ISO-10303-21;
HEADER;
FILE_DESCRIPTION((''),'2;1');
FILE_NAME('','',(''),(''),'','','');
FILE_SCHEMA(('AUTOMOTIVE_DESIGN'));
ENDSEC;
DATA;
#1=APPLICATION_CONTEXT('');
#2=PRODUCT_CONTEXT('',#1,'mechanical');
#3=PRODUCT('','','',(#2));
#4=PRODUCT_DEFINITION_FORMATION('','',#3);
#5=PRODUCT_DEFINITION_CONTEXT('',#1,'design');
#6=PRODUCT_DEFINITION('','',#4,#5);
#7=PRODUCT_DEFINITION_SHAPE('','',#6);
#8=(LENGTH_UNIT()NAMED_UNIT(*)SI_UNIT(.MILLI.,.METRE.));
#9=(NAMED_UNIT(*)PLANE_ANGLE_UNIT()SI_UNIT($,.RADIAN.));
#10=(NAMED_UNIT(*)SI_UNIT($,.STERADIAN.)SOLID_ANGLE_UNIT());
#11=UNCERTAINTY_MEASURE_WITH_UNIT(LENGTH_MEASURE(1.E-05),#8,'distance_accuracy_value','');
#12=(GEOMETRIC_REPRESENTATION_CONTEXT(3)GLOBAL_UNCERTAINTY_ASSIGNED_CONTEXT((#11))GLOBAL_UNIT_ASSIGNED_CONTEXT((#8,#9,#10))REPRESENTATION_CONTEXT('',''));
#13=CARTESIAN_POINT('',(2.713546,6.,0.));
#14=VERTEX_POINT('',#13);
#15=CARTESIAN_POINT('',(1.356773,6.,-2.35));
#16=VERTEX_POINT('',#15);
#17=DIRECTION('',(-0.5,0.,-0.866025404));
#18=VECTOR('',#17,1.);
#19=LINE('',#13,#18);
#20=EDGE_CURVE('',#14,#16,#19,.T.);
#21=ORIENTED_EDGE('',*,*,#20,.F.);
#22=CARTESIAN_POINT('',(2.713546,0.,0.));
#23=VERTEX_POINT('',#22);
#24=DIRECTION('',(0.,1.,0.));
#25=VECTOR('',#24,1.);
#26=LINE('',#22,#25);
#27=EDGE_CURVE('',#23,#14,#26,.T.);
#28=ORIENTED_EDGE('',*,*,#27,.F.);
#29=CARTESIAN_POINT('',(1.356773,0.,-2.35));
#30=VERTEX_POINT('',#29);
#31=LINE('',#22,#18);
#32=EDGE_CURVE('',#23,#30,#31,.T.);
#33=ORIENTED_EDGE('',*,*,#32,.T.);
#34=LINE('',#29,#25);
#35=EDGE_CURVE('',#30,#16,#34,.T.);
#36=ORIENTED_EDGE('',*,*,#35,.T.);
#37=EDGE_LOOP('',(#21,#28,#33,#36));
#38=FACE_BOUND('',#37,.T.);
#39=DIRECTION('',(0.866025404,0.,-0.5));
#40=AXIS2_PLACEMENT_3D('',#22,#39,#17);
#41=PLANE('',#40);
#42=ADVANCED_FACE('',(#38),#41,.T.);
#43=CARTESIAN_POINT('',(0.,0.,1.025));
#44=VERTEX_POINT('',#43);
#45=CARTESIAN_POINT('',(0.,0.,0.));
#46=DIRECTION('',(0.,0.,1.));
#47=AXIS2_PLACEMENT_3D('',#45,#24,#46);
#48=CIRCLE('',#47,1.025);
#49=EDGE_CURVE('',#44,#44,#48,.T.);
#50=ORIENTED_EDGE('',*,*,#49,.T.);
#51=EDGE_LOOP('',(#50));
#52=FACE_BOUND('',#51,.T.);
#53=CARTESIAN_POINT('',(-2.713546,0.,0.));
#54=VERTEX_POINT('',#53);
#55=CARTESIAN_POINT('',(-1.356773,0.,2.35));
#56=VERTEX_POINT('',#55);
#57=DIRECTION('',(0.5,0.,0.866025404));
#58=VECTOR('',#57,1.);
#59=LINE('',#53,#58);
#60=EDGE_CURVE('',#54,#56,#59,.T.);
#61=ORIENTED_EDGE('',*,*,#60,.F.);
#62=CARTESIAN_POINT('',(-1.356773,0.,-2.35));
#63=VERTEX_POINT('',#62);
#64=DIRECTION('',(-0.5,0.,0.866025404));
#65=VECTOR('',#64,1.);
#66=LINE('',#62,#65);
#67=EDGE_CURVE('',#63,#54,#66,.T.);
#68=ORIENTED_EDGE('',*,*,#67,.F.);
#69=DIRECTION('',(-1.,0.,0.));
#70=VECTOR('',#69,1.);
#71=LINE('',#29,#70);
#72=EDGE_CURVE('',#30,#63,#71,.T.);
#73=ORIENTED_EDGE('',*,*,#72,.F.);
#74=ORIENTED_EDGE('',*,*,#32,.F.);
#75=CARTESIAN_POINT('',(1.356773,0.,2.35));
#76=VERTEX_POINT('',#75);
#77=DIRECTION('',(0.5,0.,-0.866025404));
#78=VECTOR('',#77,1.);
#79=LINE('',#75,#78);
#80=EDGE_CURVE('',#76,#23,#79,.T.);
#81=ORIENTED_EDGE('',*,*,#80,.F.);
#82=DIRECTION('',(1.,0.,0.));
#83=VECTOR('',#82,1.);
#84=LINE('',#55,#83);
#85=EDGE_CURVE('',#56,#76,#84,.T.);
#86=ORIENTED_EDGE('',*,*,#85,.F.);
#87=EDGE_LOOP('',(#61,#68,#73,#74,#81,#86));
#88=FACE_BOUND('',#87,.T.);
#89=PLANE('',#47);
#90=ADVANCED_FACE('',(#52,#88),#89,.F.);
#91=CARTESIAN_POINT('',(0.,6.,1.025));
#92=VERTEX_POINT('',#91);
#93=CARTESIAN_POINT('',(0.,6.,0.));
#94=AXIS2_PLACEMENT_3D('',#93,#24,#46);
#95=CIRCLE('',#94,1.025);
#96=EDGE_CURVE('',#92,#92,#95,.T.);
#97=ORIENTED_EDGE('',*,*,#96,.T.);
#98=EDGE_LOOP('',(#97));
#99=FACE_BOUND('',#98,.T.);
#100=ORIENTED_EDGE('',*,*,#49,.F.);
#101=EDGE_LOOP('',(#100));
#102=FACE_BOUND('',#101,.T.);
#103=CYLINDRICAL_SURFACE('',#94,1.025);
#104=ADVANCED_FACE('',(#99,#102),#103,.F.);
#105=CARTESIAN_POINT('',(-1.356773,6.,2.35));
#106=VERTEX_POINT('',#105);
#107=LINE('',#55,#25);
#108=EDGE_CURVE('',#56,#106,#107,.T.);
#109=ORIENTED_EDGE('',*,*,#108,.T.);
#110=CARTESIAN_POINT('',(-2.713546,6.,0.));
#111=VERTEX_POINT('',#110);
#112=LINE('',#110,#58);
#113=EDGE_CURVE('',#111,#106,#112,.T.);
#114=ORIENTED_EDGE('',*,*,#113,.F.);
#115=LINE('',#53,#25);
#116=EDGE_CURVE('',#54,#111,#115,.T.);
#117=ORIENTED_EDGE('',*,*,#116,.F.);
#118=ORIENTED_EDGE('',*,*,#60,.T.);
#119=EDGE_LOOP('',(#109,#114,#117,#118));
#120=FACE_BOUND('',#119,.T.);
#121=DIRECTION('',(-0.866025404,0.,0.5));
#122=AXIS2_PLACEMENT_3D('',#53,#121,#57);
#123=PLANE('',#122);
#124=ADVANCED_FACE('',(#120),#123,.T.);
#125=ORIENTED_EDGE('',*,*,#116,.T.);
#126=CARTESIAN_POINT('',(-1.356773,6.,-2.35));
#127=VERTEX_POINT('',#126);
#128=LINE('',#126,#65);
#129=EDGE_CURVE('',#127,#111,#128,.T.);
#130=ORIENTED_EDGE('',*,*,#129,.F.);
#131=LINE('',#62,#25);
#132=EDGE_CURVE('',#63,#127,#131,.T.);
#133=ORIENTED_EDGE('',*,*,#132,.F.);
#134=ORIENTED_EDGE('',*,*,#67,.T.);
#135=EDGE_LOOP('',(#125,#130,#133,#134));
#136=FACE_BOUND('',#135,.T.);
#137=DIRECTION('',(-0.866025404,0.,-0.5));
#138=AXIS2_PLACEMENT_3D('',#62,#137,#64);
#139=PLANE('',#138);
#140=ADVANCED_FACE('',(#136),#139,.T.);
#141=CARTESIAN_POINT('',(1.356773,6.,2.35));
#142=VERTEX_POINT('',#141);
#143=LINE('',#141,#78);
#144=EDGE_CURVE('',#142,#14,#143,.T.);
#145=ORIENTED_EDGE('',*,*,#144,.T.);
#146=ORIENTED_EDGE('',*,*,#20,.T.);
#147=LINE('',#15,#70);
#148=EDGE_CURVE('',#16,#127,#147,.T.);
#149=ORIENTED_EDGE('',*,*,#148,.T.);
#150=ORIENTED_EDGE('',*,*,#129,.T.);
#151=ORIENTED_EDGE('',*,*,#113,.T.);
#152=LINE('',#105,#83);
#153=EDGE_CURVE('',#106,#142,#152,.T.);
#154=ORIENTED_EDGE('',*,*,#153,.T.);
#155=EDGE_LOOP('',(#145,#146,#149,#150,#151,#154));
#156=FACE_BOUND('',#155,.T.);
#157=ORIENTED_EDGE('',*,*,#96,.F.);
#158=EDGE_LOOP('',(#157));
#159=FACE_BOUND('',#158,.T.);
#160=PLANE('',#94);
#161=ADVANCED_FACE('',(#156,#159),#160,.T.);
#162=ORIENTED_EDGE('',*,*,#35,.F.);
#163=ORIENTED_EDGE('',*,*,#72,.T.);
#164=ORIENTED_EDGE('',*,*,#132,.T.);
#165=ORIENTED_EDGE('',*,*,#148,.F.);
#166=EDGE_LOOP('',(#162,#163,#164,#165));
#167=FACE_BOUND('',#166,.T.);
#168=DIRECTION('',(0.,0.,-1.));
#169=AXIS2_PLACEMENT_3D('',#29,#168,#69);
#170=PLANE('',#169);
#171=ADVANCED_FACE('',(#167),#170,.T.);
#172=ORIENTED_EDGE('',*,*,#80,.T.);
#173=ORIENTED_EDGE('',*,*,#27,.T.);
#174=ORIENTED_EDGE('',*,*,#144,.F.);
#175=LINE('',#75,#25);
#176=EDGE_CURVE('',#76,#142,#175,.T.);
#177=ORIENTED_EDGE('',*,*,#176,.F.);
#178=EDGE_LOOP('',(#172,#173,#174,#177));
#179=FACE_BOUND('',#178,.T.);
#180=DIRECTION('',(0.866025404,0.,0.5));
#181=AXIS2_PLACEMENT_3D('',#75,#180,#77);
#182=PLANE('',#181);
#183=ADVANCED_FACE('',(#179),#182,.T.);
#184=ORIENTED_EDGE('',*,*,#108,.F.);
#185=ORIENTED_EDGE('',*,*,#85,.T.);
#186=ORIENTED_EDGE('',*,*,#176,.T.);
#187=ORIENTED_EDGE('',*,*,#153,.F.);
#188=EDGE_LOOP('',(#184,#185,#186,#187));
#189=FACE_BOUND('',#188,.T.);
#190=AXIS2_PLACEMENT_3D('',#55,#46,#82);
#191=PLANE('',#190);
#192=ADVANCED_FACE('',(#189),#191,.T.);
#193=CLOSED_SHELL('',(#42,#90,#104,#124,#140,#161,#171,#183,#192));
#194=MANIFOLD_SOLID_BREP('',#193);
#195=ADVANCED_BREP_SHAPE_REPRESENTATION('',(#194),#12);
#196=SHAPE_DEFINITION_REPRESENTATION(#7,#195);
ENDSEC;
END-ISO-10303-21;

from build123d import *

# Parameters (mm, degrees)
BOSS_EXTRUDE1_DEPTH                = 6
TAP_DRILL_FOR_M2_5X0_45_TAP1_D     = 2.05
TAP_DRILL_FOR_M2_5X0_45_TAP1_DEPTH = 19


with BuildPart() as part:
    # Sketch1 → Boss-Extrude1 (new body)
    with BuildSketch(Plane(origin=(0, 6, 0), x_dir=(1, 0, 0), z_dir=(0, 1, 0))):
        Polygon((1.356773133, -2.35), (2.713546265, 0), (1.356773133, 2.35), (-1.356773133, 2.35), (-2.713546265, 0), (-1.356773133, -2.35), align=None)
    extrude(amount=-BOSS_EXTRUDE1_DEPTH)

    # Tap Drill for M2.5x0.45 Tap1
    with Locations(Plane(origin=(0, 6, 0), x_dir=(1, 0, 0), z_dir=(0, 1, 0))):
        with Locations((0, 0)):
            Hole(TAP_DRILL_FOR_M2_5X0_45_TAP1_D / 2, depth=TAP_DRILL_FOR_M2_5X0_45_TAP1_DEPTH)


solid = part.part
